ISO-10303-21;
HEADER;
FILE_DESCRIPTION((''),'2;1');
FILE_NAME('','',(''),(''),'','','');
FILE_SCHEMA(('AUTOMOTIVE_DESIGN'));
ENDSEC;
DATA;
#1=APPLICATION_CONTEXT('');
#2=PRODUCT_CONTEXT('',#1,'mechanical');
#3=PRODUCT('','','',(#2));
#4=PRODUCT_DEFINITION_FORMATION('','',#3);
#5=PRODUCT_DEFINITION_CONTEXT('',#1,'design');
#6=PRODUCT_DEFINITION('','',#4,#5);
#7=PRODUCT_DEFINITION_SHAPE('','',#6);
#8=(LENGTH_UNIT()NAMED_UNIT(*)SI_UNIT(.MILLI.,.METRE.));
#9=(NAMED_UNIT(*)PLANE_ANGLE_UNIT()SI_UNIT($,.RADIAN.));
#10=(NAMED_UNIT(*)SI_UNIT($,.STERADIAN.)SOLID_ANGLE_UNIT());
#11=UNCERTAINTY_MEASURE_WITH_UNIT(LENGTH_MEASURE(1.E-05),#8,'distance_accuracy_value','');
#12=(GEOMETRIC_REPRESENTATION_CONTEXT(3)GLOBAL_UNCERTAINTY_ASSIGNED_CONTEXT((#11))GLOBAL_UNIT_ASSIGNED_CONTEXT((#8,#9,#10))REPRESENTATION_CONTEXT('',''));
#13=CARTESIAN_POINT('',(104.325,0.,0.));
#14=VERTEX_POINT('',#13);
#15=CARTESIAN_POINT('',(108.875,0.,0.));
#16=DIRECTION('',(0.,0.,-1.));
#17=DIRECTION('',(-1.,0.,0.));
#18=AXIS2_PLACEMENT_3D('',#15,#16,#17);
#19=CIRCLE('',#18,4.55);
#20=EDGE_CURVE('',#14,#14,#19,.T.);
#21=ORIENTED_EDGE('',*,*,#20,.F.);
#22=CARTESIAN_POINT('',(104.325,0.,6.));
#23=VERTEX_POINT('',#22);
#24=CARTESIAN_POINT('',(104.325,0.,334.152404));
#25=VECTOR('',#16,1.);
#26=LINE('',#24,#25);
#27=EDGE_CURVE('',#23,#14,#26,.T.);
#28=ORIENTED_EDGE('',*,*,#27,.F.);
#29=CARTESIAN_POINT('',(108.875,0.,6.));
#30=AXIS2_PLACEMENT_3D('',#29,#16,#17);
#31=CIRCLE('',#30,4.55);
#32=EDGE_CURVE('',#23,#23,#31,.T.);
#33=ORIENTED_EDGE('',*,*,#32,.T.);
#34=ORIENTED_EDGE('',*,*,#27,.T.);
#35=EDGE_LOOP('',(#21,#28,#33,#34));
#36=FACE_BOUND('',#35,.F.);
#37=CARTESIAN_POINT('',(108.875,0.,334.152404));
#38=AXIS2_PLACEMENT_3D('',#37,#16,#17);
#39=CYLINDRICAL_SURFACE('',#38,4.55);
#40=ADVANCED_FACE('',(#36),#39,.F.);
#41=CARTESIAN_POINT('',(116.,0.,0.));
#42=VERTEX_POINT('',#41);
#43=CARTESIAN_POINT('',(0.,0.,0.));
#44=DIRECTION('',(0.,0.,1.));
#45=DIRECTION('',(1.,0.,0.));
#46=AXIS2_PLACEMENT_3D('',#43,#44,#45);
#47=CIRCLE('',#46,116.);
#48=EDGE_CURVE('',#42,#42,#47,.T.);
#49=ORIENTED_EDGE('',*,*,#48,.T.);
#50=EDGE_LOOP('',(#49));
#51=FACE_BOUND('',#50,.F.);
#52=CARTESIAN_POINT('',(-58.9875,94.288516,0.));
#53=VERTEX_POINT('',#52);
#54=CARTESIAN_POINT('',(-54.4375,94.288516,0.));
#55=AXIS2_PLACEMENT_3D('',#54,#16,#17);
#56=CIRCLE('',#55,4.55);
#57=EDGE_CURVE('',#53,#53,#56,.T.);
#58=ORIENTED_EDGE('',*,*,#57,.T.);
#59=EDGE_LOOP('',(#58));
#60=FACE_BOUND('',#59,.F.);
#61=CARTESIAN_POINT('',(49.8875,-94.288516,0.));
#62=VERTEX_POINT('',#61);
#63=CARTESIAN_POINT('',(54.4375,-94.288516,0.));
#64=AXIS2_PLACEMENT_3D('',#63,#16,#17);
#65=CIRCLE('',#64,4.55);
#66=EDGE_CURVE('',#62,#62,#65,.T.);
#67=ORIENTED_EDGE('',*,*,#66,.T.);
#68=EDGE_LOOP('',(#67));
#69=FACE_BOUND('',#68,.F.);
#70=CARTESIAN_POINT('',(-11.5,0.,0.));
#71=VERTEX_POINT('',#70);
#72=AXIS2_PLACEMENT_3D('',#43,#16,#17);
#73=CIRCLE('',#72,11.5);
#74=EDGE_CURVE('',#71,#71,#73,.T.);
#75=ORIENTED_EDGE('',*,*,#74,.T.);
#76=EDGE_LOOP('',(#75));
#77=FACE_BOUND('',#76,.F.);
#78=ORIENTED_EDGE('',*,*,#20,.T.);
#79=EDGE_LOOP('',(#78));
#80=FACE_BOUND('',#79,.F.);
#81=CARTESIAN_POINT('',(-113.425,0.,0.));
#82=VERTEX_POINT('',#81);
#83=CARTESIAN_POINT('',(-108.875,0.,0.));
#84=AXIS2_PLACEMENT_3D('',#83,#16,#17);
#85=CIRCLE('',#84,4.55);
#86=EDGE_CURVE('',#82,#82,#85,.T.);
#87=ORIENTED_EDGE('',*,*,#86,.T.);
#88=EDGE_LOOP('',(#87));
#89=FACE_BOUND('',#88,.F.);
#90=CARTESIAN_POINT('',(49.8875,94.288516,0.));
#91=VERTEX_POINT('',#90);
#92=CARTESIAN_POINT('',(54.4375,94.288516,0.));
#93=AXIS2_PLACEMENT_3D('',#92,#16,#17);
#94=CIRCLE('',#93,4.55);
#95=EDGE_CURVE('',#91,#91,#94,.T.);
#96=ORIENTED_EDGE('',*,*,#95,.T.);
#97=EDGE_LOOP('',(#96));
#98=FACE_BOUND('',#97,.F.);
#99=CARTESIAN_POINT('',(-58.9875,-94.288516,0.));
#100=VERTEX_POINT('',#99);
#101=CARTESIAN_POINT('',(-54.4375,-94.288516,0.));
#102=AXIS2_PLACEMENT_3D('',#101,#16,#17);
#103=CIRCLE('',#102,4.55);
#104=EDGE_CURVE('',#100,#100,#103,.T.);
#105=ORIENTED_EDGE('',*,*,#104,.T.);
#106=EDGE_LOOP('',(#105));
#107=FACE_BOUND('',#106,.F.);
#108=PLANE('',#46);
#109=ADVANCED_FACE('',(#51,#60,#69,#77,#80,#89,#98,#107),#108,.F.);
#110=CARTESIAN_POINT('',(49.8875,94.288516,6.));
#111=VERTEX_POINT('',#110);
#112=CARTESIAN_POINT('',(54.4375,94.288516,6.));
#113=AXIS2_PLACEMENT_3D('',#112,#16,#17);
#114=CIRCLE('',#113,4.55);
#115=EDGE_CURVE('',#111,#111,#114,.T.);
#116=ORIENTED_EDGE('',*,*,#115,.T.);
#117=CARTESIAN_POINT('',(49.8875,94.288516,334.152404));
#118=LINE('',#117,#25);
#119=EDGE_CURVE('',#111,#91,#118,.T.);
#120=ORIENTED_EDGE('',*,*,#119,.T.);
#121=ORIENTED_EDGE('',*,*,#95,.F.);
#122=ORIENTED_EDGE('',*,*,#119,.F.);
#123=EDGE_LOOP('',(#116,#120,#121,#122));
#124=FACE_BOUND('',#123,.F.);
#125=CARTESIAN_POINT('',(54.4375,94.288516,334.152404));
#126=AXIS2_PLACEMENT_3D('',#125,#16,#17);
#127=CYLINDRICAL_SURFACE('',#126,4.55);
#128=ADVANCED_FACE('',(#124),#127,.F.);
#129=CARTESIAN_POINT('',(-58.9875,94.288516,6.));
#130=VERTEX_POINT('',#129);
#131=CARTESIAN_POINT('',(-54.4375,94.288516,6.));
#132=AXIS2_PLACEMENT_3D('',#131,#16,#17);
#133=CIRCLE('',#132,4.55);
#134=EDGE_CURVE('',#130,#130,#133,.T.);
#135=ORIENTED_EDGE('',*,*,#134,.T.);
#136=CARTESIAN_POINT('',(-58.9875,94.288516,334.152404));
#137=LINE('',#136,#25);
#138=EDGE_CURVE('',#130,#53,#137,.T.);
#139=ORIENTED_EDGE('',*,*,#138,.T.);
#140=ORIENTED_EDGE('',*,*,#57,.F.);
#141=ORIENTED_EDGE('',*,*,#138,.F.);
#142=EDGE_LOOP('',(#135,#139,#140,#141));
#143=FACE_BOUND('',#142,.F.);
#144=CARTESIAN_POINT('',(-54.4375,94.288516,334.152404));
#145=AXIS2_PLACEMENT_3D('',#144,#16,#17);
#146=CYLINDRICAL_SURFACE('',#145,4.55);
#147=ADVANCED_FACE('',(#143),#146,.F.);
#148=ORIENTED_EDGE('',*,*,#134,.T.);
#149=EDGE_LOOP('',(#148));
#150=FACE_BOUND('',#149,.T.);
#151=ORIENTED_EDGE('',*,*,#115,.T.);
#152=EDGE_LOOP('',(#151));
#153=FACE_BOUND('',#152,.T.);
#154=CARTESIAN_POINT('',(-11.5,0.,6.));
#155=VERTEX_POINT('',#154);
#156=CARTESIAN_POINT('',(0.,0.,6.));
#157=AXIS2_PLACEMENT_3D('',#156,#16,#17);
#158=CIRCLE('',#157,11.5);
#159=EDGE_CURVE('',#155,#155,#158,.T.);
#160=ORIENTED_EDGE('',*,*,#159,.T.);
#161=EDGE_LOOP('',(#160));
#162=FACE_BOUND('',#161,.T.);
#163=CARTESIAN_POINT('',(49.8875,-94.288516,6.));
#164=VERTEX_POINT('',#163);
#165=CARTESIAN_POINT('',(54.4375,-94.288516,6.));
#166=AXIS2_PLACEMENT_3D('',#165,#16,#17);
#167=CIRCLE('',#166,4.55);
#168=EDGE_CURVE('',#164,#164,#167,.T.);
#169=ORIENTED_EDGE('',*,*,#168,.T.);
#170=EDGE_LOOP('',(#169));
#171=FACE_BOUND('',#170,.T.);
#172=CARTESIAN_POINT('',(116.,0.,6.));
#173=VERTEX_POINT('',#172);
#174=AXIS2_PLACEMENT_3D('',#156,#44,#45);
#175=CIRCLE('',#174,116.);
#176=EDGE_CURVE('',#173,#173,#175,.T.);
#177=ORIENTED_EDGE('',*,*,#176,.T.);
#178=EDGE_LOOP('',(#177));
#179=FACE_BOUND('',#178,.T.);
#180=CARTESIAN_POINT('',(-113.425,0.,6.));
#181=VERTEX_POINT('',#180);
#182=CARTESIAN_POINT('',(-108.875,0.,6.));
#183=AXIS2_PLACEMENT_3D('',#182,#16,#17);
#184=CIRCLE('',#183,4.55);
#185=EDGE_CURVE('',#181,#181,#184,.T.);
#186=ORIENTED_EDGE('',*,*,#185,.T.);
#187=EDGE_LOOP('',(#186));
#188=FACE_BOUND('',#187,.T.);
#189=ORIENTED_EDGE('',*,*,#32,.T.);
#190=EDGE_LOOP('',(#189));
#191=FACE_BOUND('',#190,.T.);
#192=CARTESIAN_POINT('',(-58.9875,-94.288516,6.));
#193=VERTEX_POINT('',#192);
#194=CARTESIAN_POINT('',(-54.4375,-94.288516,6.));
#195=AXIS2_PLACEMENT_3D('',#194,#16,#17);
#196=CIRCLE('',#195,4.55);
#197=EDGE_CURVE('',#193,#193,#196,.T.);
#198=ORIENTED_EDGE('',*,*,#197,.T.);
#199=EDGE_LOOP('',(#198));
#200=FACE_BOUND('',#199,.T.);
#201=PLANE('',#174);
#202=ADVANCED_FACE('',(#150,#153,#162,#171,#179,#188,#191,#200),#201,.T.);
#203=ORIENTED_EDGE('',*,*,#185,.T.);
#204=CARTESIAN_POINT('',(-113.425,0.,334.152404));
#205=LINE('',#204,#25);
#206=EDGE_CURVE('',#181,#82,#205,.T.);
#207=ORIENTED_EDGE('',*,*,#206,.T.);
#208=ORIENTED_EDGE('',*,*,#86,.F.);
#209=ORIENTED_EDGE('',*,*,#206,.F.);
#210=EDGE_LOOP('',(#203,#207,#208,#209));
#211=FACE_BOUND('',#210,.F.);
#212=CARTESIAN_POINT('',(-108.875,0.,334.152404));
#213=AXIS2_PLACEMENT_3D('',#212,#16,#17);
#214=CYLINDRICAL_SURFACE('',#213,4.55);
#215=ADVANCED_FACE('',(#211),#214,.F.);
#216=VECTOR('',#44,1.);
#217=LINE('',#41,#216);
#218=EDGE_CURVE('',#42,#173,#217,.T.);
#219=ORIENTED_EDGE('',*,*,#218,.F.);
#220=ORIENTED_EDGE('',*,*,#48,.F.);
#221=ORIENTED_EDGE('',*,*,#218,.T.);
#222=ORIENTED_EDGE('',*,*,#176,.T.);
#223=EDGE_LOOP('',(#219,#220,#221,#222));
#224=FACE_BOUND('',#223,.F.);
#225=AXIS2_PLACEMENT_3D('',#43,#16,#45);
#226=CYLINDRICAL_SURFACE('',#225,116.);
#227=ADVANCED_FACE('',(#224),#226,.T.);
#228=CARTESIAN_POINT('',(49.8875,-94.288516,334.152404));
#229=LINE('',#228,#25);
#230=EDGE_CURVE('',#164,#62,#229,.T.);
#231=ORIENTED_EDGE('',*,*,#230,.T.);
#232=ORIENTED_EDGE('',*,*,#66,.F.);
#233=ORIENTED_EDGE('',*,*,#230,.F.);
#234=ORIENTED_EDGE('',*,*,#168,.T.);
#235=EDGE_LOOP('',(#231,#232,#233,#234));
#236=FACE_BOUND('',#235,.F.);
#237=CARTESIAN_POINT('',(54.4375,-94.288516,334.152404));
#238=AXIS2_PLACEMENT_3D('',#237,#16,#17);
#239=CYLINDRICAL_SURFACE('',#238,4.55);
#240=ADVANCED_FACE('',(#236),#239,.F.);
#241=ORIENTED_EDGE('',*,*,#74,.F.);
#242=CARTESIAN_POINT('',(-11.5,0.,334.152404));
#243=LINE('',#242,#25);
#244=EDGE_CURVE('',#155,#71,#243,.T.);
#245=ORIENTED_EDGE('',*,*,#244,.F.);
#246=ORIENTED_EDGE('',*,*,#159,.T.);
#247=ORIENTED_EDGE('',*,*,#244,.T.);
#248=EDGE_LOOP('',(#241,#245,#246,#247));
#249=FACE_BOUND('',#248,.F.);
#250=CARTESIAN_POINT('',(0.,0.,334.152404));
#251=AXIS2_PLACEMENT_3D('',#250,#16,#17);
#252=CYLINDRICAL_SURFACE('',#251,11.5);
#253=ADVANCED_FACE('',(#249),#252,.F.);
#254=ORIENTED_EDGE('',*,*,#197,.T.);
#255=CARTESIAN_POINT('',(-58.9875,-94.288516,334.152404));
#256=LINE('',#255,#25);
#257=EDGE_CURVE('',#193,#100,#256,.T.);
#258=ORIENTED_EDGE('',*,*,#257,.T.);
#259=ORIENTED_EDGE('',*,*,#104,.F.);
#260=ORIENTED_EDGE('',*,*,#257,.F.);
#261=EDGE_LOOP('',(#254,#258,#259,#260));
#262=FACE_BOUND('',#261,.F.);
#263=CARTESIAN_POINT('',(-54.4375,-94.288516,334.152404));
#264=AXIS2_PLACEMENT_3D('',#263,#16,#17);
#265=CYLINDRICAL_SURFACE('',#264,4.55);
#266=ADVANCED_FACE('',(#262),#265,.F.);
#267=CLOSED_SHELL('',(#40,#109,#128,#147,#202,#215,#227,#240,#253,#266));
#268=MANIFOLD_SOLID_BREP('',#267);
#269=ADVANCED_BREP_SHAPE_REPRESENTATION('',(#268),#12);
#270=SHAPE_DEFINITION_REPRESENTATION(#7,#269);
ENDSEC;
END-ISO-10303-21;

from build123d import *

# Parameters (mm, degrees)
F0_R     = 116
F1_DEPTH = 6
F3_D     = 9.1
F5_D     = 23


with BuildPart() as f1:
    # F0 (on Top) → F1 (new body)
    with BuildSketch(Plane.XY):
        Circle(F0_R)
    extrude(amount=F1_DEPTH)

    # F3 (through all)
    with Locations(Plane.XY.offset(6)):
        with Locations((-54.4375, 94.288516), (54.4375, 94.288516), (108.875, 0), (54.4375, -94.288516), (-54.4375, -94.288516), (-108.875, 0)):
            Hole(F3_D / 2)

    # F5 (through all)
    with Locations(Plane.XY.offset(6)):
        with Locations((0, 0)):
            Hole(F5_D / 2)


solid = f1.part
